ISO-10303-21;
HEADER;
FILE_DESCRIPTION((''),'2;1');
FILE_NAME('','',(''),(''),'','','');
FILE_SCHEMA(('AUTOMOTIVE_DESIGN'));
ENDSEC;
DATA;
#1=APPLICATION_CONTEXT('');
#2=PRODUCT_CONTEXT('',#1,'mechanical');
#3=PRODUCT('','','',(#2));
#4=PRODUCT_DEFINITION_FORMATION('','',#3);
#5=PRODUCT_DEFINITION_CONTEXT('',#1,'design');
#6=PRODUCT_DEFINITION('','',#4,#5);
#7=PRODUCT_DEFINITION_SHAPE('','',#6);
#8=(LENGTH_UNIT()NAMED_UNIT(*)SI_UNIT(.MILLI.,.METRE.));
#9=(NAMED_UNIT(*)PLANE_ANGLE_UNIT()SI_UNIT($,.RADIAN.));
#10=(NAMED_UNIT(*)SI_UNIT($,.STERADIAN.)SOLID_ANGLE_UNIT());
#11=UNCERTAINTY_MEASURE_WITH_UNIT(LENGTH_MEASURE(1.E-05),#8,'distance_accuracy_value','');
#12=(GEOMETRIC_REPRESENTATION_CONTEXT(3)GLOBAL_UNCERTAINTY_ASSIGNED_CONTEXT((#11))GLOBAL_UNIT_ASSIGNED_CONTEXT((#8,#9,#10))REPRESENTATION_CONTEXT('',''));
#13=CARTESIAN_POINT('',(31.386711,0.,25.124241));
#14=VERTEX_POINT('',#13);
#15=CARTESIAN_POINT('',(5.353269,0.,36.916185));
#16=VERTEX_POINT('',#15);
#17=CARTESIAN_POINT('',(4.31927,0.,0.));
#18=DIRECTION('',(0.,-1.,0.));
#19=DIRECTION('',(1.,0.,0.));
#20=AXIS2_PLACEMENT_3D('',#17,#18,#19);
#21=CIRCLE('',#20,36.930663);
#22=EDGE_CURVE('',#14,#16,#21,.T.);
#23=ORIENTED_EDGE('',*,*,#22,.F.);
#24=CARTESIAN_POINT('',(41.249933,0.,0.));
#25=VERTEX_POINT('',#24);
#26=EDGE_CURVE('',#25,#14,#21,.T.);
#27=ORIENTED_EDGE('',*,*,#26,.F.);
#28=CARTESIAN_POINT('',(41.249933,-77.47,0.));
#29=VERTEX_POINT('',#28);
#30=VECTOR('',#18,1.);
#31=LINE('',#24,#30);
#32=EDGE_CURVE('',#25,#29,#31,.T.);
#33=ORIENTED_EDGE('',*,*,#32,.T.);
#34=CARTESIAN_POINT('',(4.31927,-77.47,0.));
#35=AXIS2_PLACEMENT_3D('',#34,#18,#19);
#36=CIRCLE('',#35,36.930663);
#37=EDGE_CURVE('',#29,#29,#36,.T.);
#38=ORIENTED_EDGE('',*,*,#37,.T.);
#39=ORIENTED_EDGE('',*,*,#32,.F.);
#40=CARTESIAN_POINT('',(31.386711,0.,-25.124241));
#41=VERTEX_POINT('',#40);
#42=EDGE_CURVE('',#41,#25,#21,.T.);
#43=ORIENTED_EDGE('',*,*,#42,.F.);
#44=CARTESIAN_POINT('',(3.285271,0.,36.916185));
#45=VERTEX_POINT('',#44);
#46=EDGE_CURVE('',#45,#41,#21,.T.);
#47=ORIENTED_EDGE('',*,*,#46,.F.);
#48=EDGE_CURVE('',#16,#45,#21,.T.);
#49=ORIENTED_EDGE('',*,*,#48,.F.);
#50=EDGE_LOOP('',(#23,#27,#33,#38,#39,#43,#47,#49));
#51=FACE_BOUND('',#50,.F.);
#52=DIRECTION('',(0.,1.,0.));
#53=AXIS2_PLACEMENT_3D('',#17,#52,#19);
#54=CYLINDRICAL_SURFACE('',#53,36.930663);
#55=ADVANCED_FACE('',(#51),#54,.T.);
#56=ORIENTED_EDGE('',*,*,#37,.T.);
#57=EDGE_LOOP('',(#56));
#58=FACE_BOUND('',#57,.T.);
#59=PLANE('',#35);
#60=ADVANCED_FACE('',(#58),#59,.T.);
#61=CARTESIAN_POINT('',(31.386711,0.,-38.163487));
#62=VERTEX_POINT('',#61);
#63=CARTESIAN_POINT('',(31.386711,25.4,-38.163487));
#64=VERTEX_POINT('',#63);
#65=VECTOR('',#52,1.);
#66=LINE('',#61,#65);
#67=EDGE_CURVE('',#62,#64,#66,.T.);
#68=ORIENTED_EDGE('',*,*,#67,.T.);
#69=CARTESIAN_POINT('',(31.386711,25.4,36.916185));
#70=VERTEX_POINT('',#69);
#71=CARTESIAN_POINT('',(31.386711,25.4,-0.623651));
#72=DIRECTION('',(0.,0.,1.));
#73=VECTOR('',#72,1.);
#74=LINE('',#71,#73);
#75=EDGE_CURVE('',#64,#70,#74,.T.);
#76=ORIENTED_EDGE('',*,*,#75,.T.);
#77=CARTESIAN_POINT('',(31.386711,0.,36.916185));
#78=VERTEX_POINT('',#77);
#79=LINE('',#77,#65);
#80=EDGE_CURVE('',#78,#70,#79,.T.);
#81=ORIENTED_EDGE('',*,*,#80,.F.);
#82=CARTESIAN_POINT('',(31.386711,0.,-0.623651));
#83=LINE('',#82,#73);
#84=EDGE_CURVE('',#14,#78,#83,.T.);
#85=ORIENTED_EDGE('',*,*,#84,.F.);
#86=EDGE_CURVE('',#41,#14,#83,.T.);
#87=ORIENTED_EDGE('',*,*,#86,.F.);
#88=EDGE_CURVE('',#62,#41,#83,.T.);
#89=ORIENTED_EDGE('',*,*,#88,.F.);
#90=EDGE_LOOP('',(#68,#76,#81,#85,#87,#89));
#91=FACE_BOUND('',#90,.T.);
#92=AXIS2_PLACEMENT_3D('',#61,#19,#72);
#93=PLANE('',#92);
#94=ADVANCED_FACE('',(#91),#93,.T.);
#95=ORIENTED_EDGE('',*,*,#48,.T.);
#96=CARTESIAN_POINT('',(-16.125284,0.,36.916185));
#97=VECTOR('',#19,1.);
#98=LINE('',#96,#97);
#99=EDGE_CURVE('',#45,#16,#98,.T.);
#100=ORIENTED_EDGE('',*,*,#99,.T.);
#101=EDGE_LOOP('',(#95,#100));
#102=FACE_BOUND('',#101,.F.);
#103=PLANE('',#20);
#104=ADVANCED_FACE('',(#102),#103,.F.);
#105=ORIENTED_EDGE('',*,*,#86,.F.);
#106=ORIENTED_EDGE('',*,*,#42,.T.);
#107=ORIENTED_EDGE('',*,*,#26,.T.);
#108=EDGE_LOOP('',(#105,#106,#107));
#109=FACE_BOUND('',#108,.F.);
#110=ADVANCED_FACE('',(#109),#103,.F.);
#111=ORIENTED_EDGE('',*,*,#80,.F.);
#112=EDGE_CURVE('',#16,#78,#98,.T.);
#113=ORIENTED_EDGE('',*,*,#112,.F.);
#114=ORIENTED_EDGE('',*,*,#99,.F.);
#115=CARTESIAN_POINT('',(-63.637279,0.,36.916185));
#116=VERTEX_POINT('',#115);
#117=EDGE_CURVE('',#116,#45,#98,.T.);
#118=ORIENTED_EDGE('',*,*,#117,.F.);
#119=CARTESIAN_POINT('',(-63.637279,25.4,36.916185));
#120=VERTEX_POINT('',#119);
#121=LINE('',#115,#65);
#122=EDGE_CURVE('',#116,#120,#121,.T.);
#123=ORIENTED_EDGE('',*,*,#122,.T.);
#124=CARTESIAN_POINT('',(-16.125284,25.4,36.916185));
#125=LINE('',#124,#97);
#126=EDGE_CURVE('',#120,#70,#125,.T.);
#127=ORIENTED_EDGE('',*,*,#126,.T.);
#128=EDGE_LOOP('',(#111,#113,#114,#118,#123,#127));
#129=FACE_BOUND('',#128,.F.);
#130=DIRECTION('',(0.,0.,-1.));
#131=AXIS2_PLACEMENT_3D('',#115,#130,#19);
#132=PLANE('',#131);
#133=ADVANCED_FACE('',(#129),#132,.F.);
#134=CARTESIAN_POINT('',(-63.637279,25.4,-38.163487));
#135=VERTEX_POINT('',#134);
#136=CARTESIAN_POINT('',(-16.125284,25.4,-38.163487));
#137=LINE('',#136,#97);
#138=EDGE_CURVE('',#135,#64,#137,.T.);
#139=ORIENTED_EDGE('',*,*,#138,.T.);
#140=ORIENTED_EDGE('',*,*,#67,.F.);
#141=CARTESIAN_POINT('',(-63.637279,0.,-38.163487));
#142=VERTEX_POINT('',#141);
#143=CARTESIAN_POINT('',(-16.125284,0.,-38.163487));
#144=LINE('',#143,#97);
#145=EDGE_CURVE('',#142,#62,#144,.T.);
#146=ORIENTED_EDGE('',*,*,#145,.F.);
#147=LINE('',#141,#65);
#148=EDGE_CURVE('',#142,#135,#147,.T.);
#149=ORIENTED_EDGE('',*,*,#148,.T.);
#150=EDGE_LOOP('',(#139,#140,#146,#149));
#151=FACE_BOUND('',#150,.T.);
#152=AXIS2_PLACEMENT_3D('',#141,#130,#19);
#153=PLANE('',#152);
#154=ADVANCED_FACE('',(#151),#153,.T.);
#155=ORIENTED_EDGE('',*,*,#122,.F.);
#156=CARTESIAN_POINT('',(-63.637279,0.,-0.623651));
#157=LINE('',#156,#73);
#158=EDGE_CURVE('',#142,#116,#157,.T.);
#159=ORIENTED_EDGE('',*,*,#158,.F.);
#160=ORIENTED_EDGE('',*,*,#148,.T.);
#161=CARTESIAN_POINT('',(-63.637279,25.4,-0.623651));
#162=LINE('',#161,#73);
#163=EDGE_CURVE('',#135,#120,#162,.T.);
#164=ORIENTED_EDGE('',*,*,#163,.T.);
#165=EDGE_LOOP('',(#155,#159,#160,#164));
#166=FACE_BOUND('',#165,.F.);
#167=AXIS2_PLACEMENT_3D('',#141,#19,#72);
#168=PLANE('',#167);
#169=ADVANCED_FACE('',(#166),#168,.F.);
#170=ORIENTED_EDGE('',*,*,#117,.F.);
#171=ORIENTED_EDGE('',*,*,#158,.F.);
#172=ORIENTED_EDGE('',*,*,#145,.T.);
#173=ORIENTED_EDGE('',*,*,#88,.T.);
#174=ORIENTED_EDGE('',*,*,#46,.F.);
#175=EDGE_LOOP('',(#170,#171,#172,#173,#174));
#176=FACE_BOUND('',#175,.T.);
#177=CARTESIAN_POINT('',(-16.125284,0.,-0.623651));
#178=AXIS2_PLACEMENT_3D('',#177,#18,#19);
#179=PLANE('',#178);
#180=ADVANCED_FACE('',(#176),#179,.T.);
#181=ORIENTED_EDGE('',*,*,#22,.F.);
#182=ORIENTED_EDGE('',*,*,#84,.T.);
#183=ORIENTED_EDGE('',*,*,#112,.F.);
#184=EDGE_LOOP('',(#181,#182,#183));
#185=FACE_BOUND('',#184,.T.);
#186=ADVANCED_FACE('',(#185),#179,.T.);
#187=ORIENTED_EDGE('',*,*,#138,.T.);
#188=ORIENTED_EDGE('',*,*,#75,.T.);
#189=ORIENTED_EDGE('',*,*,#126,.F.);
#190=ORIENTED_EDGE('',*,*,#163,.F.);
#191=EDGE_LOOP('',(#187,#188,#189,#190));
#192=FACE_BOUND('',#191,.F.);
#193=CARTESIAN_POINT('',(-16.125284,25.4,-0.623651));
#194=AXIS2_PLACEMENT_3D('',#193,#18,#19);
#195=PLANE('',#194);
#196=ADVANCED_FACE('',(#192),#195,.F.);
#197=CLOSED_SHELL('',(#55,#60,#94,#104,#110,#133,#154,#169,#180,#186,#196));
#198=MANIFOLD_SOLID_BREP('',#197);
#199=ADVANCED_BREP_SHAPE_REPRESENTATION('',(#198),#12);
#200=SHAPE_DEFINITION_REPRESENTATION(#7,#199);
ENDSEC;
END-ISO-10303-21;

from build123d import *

# Parameters (mm, degrees)
F0_R     = 36.930663
F1_DEPTH = 77.47
F2_W     = 95.02399
F2_H     = 75.079672
F3_DEPTH = 25.4


with BuildPart() as f1:
    # F0 (on Front) → F1 (new body)
    with BuildSketch(Plane.XZ):
        with Locations((4.31927, 0)):
            Circle(F0_R)
    extrude(amount=F1_DEPTH)

    # F2 (on Front) → F3 (join)
    with BuildSketch(Plane.XZ):
        with Locations((-16.125284, -0.623651)):
            Rectangle(F2_W, F2_H)
    extrude(amount=-F3_DEPTH)


solid = f1.part
